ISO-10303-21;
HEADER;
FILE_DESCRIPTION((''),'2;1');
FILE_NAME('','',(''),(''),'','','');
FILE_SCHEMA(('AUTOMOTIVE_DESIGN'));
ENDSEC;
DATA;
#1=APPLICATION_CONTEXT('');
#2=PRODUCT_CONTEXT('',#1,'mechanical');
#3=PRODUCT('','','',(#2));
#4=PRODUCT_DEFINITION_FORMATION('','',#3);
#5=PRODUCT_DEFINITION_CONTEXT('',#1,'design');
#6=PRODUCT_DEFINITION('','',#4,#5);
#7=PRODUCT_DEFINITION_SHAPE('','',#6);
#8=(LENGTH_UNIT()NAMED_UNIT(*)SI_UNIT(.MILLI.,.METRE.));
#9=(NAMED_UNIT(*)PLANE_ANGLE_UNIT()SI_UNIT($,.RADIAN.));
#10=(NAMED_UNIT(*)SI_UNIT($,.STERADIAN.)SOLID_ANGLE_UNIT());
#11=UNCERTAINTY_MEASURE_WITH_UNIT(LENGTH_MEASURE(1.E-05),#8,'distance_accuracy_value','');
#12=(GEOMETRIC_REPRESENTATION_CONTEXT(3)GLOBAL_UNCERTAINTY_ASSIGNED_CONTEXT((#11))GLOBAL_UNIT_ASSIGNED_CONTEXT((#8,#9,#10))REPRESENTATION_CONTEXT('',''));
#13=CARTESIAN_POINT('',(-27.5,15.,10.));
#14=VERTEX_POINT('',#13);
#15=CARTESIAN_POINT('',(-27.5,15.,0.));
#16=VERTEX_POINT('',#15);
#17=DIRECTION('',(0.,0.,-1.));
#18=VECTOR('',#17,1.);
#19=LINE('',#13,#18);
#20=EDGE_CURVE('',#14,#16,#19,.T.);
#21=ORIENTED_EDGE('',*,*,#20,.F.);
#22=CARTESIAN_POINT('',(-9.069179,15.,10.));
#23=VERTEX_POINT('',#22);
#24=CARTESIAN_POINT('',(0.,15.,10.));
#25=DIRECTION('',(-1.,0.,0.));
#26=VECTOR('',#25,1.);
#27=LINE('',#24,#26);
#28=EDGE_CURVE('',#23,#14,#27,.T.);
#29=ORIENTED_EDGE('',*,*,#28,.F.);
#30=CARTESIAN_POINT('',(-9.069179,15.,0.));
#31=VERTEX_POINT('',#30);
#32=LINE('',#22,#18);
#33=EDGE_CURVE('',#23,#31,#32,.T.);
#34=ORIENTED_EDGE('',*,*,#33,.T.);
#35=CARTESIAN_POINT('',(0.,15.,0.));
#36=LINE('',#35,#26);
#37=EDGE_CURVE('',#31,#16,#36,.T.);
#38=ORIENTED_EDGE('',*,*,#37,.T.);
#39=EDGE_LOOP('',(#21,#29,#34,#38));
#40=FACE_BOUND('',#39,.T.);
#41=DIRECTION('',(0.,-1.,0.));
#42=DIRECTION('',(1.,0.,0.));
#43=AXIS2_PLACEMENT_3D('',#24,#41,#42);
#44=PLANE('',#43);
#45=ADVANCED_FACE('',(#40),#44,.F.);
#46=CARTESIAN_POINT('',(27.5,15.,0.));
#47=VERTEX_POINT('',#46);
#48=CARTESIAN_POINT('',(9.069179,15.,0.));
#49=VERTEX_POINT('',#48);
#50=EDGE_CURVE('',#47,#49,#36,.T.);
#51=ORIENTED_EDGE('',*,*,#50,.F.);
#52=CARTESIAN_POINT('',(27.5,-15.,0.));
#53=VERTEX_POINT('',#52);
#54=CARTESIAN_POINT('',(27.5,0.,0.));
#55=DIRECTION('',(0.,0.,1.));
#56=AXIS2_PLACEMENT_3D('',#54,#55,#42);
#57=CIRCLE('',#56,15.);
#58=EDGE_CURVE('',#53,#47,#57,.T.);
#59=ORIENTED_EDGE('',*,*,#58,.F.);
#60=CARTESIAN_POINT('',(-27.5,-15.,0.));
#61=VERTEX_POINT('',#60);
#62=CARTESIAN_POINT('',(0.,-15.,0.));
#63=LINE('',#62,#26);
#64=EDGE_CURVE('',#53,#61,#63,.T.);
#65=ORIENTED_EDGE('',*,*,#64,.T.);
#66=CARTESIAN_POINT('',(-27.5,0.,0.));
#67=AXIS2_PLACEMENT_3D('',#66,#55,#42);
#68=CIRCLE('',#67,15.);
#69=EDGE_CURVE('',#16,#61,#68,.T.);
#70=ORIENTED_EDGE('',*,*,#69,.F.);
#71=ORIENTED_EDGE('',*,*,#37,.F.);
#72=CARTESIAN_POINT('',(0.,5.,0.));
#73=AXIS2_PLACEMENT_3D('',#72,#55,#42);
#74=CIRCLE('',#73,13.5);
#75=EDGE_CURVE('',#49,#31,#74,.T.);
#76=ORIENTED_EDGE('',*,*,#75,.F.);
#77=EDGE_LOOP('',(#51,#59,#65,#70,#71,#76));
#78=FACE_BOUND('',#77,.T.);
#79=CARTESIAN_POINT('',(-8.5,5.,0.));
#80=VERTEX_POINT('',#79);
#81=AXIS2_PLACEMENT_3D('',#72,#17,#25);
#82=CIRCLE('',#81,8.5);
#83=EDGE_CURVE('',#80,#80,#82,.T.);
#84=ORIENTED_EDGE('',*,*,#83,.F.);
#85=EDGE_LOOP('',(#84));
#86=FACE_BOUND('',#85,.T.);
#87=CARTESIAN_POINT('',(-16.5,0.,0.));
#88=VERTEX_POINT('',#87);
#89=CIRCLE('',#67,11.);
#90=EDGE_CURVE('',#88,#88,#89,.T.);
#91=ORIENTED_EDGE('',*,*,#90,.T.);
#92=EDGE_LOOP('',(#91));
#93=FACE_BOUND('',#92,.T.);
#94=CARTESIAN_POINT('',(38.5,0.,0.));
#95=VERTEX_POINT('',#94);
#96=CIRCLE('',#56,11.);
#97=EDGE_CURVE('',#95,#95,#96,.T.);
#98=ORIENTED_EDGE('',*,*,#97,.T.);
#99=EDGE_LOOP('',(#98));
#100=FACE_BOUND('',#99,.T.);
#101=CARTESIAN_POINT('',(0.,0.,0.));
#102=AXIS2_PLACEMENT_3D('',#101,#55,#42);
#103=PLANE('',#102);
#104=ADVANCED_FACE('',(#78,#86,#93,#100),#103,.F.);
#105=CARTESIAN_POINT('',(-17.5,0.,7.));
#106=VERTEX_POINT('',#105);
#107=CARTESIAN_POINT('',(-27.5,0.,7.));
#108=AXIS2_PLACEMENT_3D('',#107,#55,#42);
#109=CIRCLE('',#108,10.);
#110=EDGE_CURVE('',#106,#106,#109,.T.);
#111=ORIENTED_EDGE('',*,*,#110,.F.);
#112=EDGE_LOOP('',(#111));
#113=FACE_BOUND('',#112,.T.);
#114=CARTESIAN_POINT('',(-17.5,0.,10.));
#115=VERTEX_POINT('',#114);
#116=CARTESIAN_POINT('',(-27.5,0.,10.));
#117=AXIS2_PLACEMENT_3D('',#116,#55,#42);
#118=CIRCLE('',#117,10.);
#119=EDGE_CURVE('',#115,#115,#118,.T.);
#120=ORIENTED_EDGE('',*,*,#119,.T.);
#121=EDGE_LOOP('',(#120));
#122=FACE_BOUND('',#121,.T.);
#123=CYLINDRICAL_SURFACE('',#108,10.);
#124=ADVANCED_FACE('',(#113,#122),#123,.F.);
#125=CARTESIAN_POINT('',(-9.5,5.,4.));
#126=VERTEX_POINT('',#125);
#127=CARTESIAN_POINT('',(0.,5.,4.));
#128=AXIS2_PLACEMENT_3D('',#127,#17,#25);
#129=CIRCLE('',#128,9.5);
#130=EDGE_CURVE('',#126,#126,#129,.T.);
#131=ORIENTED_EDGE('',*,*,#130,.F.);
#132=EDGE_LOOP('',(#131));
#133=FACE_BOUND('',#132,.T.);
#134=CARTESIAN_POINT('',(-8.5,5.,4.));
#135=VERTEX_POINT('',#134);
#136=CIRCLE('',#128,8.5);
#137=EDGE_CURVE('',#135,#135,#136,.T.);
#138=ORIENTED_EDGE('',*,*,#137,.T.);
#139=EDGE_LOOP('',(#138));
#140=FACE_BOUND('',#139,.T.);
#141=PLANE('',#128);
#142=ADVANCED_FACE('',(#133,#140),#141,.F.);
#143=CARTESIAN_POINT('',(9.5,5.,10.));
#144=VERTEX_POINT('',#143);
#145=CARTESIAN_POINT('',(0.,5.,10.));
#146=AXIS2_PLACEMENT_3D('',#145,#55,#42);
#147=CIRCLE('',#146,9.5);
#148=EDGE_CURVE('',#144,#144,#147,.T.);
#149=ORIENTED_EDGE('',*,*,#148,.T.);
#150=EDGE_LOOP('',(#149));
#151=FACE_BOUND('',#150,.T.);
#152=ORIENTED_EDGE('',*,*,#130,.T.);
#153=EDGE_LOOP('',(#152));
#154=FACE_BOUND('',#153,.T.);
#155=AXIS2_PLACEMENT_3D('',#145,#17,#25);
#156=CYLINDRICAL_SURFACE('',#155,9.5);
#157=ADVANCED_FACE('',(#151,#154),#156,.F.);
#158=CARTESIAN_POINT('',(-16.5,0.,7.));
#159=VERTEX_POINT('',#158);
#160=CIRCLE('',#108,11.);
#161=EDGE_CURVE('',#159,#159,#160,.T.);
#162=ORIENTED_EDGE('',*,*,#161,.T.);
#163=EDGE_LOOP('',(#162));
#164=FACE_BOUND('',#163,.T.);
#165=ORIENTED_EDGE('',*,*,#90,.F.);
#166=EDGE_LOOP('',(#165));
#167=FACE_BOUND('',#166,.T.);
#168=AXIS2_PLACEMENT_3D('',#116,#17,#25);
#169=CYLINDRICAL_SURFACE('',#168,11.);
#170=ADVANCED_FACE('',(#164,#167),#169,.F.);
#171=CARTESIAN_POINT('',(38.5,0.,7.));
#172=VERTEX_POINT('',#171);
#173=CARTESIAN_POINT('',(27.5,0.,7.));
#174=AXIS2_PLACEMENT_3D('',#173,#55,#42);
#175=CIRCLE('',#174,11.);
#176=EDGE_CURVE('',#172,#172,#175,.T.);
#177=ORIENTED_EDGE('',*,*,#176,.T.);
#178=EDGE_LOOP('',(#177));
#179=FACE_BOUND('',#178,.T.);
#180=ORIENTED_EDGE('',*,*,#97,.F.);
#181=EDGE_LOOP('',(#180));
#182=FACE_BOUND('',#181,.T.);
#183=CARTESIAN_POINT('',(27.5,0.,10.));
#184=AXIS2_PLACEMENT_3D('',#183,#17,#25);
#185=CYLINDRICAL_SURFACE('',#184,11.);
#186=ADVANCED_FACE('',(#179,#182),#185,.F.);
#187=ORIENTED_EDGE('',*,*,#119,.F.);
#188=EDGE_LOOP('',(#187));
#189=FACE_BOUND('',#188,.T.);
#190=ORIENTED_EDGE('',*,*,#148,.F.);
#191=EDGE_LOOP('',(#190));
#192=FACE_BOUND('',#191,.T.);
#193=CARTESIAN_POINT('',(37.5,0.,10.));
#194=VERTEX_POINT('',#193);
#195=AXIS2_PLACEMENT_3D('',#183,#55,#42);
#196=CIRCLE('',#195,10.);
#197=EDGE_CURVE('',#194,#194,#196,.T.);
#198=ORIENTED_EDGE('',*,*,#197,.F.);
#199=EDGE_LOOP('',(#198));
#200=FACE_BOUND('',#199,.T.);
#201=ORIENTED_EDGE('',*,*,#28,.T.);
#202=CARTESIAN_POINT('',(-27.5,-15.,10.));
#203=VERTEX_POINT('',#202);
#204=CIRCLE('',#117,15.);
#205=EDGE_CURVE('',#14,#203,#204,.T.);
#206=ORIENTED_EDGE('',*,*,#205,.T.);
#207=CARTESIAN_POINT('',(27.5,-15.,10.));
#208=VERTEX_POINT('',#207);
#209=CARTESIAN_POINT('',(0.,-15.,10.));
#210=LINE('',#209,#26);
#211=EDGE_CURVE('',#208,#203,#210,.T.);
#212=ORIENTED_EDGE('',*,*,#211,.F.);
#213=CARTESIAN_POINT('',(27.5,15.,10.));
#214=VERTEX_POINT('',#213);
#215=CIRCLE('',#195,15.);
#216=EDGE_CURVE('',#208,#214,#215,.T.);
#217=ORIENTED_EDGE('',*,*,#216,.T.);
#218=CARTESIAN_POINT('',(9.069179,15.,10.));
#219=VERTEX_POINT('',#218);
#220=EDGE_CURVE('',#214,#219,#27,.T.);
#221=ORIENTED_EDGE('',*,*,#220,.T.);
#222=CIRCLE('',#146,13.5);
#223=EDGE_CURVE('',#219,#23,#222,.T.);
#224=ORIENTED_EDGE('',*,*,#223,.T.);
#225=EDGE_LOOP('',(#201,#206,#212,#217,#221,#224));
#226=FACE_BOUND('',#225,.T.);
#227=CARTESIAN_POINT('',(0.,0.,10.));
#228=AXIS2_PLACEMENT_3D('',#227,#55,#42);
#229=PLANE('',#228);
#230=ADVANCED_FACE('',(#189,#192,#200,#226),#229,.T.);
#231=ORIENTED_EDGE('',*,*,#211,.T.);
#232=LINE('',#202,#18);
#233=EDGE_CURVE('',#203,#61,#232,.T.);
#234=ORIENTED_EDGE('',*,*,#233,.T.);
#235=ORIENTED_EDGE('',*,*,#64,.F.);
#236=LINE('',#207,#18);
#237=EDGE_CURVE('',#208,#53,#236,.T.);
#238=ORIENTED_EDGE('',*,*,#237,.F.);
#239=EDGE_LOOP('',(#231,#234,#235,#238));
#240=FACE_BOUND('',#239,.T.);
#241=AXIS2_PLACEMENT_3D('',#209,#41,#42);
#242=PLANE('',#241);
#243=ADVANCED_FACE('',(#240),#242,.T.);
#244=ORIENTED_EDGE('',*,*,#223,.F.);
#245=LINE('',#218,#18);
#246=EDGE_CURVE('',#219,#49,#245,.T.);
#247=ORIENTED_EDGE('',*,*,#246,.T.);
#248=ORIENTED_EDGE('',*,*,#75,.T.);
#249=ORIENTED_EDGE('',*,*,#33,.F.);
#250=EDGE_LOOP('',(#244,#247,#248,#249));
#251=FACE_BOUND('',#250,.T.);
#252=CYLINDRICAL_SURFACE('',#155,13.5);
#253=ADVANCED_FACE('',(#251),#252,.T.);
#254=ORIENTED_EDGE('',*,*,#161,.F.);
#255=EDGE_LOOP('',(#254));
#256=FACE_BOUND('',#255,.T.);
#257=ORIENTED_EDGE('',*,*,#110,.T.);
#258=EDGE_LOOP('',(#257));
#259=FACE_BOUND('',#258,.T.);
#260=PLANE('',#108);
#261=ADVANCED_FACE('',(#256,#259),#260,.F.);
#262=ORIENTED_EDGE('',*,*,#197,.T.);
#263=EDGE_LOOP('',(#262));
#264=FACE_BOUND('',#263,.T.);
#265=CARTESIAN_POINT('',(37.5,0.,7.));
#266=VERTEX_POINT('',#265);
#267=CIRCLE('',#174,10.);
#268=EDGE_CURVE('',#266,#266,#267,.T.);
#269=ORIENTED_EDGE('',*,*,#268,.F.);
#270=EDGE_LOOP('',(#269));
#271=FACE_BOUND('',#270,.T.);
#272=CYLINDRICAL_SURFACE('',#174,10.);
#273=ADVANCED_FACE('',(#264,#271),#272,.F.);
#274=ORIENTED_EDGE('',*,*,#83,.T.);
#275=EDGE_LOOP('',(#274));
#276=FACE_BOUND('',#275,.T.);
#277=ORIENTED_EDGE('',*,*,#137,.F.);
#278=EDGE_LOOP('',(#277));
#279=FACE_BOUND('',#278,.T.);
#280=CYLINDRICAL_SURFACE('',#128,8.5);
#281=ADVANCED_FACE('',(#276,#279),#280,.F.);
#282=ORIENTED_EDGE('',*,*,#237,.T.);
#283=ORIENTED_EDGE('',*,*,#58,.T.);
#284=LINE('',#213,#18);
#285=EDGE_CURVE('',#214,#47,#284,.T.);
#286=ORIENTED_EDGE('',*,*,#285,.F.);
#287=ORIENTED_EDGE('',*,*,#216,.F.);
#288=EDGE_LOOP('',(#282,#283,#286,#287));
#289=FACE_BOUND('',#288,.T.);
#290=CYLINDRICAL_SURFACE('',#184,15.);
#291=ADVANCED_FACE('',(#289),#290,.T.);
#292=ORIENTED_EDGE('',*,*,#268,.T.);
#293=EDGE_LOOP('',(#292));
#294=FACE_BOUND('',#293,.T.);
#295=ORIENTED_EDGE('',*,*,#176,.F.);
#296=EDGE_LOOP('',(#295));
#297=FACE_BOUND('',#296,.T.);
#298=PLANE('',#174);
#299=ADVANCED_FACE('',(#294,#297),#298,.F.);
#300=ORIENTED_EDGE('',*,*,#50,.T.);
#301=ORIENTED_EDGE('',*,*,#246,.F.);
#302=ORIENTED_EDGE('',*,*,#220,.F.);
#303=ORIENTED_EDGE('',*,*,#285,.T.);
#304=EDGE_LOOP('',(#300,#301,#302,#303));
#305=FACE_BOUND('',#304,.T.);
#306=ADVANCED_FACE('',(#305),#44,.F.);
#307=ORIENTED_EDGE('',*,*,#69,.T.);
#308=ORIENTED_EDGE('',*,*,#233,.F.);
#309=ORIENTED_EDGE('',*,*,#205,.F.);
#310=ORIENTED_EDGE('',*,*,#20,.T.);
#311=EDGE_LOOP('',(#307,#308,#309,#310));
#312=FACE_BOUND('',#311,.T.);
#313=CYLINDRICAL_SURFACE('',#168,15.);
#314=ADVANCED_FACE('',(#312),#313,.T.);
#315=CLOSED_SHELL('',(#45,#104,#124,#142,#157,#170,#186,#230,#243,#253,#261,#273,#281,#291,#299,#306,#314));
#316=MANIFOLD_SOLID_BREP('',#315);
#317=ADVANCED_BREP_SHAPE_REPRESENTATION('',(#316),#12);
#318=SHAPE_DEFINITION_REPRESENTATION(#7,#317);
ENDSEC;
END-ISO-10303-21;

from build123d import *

# Parameters (mm, degrees)
SKETCH1_R           = 11
SKETCH1_R_2         = 9.5
BOSS_EXTRUDE1_DEPTH = 10
BOSS_EXTRUDE2_START = -3
SKETCH2_R           = 11
SKETCH2_R_2         = 10
BOSS_EXTRUDE2_DEPTH = 3
SKETCH4_R           = 9.5
SKETCH4_R_2         = 8.5
BOSS_EXTRUDE3_DEPTH = 4


with BuildPart() as part:
    # Sketch1 → Boss-Extrude1 (new body)
    with BuildSketch(Plane.XY):
        with BuildLine():
            Line((-27.5, -15), (27.5, -15))
            ThreePointArc((27.5, -15), (42.5, 0), (27.5, 15))
            Line((27.5, 15), (9.069178574, 15))
            ThreePointArc((9.069178574, 15), (0, 18.5), (-9.069178574, 15))
            Line((-9.069178574, 15), (-27.5, 15))
            ThreePointArc((-27.5, 15), (-42.5, 0), (-27.5, -15))
        make_face()
        with Locations((-27.5, 0)):
            Circle(SKETCH1_R, mode=Mode.SUBTRACT)
        with Locations((27.5, 0)):
            Circle(SKETCH1_R, mode=Mode.SUBTRACT)
        with Locations((0, 5)):
            Circle(SKETCH1_R_2, mode=Mode.SUBTRACT)
    extrude(amount=BOSS_EXTRUDE1_DEPTH)

    # Sketch2 → Boss-Extrude2 (add)
    # profile 1 of 2: a face of its own
    with BuildSketch(Plane.XY.offset(10).offset(BOSS_EXTRUDE2_START)):
        with Locations((-27.5, 0)):
            Circle(SKETCH2_R)
        with Locations((-27.5, 0)):
            Circle(SKETCH2_R_2, mode=Mode.SUBTRACT)
    # profile 2 of 2: a face of its own
    with BuildSketch(Plane.XY.offset(10).offset(BOSS_EXTRUDE2_START)):
        with Locations((27.5, 0)):
            Circle(SKETCH2_R)
        with Locations((27.5, 0)):
            Circle(SKETCH2_R_2, mode=Mode.SUBTRACT)
    extrude(amount=BOSS_EXTRUDE2_DEPTH)

    # Sketch4 → Boss-Extrude3 (add)
    with BuildSketch(Plane(origin=(0, 0, 0), x_dir=(-1, 0, 0), z_dir=(0, 0, -1))):
        with Locations((0, 5)):
            Circle(SKETCH4_R)
        with Locations((0, 5)):
            Circle(SKETCH4_R_2, mode=Mode.SUBTRACT)
    extrude(amount=-BOSS_EXTRUDE3_DEPTH)


solid = part.part
